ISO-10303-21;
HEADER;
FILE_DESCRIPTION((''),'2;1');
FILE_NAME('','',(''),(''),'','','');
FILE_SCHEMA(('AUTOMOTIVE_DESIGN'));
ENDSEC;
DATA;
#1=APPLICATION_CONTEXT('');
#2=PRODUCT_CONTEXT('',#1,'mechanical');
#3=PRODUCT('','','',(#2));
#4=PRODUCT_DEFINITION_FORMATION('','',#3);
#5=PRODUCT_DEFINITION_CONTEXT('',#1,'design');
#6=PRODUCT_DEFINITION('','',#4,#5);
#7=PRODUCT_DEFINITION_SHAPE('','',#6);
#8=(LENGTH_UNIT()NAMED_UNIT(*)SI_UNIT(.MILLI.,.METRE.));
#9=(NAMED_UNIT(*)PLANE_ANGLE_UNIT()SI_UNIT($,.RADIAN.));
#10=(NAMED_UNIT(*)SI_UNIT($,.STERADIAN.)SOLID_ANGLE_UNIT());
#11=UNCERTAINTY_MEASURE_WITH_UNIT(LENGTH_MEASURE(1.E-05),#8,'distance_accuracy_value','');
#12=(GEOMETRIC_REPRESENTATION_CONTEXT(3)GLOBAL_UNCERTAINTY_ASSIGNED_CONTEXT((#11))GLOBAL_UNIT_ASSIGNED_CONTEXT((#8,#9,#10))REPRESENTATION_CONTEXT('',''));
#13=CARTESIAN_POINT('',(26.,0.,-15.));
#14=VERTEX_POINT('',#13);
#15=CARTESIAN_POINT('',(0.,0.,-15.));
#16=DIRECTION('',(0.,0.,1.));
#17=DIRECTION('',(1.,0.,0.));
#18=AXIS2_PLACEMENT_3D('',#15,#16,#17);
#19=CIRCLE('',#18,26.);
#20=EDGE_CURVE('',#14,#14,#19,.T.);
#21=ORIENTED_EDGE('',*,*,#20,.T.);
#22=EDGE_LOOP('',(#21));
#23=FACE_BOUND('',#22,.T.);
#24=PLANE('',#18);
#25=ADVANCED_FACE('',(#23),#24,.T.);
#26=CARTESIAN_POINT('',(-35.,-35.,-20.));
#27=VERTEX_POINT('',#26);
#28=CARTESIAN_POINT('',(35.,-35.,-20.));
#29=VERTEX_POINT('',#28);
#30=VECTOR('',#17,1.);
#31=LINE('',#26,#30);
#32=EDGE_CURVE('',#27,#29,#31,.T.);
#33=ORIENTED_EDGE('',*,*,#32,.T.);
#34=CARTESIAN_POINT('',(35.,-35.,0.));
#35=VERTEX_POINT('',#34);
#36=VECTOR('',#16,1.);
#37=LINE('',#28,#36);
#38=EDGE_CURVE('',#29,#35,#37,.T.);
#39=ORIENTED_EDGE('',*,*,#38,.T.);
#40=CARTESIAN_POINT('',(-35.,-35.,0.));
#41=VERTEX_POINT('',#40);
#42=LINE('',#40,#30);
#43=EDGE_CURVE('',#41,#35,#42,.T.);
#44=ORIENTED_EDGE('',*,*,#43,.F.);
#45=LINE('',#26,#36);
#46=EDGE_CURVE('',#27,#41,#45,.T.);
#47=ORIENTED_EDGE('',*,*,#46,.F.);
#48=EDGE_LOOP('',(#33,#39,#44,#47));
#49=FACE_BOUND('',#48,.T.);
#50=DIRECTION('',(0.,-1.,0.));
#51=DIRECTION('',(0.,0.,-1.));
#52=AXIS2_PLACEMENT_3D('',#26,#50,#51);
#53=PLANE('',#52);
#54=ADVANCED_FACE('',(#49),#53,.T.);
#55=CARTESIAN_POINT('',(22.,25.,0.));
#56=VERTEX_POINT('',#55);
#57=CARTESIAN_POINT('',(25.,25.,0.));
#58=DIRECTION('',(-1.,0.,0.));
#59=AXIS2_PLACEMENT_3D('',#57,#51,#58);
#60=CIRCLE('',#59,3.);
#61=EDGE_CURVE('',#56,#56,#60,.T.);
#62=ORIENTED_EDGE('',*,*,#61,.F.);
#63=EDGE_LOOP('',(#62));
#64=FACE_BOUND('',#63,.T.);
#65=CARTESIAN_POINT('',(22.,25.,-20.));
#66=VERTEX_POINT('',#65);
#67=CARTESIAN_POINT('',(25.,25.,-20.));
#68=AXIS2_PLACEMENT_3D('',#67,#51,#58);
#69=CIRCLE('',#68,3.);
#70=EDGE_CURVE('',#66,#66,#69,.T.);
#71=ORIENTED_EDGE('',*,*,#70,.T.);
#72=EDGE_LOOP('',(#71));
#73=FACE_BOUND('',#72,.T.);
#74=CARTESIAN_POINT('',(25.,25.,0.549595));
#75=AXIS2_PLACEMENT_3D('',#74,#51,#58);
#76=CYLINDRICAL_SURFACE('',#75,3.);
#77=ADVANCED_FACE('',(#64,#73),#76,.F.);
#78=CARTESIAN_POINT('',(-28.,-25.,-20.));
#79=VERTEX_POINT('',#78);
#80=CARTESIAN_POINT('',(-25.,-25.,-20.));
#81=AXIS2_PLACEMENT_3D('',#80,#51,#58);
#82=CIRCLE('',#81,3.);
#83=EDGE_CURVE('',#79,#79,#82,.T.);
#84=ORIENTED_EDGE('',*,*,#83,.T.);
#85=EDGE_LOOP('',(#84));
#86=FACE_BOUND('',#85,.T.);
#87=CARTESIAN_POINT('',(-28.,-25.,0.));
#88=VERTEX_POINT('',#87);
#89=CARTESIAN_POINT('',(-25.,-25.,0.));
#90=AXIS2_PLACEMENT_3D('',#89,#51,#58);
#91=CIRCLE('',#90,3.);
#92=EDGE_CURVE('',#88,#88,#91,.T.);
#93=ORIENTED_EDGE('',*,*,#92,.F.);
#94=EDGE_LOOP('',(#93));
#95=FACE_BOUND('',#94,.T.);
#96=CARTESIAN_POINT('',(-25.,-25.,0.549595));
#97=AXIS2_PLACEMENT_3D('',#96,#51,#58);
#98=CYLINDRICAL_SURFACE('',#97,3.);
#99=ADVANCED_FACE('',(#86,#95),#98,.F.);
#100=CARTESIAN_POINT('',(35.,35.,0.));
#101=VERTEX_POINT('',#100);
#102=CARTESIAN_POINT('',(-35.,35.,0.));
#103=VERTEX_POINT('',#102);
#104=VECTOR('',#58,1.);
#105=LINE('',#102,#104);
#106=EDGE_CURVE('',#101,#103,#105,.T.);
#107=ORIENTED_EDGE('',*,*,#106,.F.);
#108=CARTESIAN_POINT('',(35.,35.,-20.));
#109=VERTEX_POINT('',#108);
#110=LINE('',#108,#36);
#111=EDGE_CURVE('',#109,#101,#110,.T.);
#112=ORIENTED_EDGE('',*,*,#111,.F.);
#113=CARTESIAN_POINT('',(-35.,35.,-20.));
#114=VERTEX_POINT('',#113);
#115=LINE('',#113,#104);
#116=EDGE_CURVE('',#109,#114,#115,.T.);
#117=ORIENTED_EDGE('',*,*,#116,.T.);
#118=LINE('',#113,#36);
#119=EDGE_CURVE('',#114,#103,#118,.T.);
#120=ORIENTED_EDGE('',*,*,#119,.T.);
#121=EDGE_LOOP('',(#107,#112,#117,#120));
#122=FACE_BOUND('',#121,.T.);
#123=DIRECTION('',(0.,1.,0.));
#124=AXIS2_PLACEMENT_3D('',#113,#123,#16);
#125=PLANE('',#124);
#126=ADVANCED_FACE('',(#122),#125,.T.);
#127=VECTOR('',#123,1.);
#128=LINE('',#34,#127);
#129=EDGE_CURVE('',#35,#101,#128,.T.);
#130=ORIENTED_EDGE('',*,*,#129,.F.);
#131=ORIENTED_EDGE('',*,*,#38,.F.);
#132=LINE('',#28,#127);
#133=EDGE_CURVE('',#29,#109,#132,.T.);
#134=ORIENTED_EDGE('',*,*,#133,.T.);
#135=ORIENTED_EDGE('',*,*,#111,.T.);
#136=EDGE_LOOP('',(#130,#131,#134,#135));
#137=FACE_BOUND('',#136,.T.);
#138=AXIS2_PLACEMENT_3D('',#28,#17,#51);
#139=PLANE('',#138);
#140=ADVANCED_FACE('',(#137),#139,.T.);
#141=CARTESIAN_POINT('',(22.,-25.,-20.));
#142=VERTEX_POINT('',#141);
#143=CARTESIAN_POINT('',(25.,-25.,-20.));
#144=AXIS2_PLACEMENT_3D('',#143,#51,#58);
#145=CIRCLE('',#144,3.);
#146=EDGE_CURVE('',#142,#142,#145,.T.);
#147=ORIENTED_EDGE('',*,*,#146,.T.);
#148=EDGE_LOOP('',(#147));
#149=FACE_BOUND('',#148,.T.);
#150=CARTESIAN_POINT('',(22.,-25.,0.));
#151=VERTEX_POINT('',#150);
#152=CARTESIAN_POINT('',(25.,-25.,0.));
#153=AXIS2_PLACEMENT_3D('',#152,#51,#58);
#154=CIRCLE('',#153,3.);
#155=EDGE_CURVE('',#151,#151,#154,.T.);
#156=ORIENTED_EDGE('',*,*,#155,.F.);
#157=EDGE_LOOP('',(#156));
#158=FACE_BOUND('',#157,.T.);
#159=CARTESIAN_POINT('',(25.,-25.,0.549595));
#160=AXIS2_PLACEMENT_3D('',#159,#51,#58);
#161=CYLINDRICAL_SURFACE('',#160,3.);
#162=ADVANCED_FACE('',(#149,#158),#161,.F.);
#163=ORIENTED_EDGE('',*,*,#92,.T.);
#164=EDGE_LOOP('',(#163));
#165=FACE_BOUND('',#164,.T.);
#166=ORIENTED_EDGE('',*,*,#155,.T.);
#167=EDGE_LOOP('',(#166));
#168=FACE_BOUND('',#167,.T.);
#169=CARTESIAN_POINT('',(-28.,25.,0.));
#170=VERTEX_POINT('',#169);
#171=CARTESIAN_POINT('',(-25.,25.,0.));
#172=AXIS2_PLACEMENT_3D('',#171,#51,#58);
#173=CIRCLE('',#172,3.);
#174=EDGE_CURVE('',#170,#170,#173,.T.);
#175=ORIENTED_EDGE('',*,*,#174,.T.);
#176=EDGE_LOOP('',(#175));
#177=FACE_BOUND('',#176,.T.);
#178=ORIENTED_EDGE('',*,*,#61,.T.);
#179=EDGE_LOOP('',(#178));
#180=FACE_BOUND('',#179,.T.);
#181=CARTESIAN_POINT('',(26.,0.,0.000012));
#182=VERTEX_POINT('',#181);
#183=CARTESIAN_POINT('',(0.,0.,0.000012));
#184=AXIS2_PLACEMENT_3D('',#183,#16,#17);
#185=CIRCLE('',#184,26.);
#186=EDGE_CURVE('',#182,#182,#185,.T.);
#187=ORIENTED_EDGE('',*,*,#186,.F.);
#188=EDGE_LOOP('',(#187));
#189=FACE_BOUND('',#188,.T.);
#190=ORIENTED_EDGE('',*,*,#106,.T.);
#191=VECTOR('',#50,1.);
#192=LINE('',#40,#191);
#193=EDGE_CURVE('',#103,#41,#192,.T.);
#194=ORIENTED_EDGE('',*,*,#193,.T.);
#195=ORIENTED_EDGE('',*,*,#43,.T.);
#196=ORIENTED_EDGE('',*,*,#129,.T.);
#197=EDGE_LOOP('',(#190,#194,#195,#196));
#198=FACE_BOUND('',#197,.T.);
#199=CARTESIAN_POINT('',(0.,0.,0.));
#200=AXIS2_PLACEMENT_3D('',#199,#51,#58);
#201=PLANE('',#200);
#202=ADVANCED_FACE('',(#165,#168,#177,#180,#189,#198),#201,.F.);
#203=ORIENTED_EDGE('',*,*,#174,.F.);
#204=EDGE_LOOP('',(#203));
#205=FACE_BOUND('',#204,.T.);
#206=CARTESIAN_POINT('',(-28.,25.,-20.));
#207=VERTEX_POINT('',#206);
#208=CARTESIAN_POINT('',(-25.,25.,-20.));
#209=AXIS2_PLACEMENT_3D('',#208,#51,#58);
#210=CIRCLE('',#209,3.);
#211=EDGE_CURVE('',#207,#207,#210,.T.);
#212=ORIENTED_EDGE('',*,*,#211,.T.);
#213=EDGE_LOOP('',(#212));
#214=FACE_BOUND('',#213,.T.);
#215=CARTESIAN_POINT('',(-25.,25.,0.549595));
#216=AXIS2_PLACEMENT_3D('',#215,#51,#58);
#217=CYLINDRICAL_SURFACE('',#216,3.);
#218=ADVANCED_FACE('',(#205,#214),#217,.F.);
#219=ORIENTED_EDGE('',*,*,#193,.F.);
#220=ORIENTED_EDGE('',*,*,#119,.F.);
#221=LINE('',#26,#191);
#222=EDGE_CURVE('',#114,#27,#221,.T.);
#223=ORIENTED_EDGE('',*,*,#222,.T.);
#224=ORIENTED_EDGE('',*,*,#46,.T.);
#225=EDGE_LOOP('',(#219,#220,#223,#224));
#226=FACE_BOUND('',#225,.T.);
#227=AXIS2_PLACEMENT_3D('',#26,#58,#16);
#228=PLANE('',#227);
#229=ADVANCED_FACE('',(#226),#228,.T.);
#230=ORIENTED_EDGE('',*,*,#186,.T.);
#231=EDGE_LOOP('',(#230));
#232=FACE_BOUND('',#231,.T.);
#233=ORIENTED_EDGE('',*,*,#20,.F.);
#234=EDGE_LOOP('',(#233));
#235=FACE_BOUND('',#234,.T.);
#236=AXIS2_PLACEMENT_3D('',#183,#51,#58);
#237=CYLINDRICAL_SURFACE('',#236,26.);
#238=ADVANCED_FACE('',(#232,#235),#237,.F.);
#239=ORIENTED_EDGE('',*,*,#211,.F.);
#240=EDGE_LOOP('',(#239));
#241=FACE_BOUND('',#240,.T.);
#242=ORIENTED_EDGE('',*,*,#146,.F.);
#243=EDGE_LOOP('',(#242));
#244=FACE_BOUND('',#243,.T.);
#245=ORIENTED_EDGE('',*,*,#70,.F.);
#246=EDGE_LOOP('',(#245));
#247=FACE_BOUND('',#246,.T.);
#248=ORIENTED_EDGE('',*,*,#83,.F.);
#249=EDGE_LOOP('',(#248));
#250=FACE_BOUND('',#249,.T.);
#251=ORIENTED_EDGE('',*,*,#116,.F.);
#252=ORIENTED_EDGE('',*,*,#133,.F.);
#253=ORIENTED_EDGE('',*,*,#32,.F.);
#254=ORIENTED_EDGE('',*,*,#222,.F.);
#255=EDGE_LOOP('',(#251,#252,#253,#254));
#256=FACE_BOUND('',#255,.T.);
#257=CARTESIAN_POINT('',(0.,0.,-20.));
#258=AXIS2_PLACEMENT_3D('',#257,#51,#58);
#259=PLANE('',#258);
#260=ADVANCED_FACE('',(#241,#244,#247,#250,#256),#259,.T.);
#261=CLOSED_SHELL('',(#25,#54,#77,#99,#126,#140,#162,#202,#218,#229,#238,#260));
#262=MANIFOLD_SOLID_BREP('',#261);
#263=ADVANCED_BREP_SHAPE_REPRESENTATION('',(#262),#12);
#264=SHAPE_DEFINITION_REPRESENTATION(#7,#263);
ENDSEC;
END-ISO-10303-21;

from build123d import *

# Parameters (mm, degrees)
ESQUISSE1_W                  = 70
ESQUISSE1_H                  = 70
BOSS_EXTRU_1_DEPTH           = 20
ENL_V_MAT_EXTRU_1_DEPTH      = 54.38539126
ENL_V_MAT_EXTRU_1_DEPTH_BACK = 15
ESQUISSE2_R                  = 26
ESQUISSE3_R                  = 3
ENL_V_MAT_EXTRU_2_DEPTH      = 54.38539126


with BuildPart() as part:
    # Esquisse1 → Boss.-Extru.1 (new body)
    with BuildSketch(Plane.XY):
        Rectangle(ESQUISSE1_W, ESQUISSE1_H)
    extrude(amount=-BOSS_EXTRU_1_DEPTH)

    # Esquisse2 → Enlèv. mat.-Extru.1 (cut, two sides: drawn at the far end of the back side and taken through both)
    with BuildSketch(Plane.XY.offset(-ENL_V_MAT_EXTRU_1_DEPTH_BACK)):
        Circle(ESQUISSE2_R)
    extrude(amount=ENL_V_MAT_EXTRU_1_DEPTH + ENL_V_MAT_EXTRU_1_DEPTH_BACK, mode=Mode.SUBTRACT)

    # Esquisse3 → Enlèv. mat.-Extru.2 (cut, through all)
    with BuildSketch(Plane(origin=(0, 0, -20), x_dir=(-1, 0, 0), z_dir=(0, 0, -1))):
        with Locations((-25, 25)):
            Circle(ESQUISSE3_R)
        with Locations((25, 25)):
            Circle(ESQUISSE3_R)
        with Locations((25, -25)):
            Circle(ESQUISSE3_R)
        with Locations((-25, -25)):
            Circle(ESQUISSE3_R)
    extrude(amount=-ENL_V_MAT_EXTRU_2_DEPTH, mode=Mode.SUBTRACT)


solid = part.part
